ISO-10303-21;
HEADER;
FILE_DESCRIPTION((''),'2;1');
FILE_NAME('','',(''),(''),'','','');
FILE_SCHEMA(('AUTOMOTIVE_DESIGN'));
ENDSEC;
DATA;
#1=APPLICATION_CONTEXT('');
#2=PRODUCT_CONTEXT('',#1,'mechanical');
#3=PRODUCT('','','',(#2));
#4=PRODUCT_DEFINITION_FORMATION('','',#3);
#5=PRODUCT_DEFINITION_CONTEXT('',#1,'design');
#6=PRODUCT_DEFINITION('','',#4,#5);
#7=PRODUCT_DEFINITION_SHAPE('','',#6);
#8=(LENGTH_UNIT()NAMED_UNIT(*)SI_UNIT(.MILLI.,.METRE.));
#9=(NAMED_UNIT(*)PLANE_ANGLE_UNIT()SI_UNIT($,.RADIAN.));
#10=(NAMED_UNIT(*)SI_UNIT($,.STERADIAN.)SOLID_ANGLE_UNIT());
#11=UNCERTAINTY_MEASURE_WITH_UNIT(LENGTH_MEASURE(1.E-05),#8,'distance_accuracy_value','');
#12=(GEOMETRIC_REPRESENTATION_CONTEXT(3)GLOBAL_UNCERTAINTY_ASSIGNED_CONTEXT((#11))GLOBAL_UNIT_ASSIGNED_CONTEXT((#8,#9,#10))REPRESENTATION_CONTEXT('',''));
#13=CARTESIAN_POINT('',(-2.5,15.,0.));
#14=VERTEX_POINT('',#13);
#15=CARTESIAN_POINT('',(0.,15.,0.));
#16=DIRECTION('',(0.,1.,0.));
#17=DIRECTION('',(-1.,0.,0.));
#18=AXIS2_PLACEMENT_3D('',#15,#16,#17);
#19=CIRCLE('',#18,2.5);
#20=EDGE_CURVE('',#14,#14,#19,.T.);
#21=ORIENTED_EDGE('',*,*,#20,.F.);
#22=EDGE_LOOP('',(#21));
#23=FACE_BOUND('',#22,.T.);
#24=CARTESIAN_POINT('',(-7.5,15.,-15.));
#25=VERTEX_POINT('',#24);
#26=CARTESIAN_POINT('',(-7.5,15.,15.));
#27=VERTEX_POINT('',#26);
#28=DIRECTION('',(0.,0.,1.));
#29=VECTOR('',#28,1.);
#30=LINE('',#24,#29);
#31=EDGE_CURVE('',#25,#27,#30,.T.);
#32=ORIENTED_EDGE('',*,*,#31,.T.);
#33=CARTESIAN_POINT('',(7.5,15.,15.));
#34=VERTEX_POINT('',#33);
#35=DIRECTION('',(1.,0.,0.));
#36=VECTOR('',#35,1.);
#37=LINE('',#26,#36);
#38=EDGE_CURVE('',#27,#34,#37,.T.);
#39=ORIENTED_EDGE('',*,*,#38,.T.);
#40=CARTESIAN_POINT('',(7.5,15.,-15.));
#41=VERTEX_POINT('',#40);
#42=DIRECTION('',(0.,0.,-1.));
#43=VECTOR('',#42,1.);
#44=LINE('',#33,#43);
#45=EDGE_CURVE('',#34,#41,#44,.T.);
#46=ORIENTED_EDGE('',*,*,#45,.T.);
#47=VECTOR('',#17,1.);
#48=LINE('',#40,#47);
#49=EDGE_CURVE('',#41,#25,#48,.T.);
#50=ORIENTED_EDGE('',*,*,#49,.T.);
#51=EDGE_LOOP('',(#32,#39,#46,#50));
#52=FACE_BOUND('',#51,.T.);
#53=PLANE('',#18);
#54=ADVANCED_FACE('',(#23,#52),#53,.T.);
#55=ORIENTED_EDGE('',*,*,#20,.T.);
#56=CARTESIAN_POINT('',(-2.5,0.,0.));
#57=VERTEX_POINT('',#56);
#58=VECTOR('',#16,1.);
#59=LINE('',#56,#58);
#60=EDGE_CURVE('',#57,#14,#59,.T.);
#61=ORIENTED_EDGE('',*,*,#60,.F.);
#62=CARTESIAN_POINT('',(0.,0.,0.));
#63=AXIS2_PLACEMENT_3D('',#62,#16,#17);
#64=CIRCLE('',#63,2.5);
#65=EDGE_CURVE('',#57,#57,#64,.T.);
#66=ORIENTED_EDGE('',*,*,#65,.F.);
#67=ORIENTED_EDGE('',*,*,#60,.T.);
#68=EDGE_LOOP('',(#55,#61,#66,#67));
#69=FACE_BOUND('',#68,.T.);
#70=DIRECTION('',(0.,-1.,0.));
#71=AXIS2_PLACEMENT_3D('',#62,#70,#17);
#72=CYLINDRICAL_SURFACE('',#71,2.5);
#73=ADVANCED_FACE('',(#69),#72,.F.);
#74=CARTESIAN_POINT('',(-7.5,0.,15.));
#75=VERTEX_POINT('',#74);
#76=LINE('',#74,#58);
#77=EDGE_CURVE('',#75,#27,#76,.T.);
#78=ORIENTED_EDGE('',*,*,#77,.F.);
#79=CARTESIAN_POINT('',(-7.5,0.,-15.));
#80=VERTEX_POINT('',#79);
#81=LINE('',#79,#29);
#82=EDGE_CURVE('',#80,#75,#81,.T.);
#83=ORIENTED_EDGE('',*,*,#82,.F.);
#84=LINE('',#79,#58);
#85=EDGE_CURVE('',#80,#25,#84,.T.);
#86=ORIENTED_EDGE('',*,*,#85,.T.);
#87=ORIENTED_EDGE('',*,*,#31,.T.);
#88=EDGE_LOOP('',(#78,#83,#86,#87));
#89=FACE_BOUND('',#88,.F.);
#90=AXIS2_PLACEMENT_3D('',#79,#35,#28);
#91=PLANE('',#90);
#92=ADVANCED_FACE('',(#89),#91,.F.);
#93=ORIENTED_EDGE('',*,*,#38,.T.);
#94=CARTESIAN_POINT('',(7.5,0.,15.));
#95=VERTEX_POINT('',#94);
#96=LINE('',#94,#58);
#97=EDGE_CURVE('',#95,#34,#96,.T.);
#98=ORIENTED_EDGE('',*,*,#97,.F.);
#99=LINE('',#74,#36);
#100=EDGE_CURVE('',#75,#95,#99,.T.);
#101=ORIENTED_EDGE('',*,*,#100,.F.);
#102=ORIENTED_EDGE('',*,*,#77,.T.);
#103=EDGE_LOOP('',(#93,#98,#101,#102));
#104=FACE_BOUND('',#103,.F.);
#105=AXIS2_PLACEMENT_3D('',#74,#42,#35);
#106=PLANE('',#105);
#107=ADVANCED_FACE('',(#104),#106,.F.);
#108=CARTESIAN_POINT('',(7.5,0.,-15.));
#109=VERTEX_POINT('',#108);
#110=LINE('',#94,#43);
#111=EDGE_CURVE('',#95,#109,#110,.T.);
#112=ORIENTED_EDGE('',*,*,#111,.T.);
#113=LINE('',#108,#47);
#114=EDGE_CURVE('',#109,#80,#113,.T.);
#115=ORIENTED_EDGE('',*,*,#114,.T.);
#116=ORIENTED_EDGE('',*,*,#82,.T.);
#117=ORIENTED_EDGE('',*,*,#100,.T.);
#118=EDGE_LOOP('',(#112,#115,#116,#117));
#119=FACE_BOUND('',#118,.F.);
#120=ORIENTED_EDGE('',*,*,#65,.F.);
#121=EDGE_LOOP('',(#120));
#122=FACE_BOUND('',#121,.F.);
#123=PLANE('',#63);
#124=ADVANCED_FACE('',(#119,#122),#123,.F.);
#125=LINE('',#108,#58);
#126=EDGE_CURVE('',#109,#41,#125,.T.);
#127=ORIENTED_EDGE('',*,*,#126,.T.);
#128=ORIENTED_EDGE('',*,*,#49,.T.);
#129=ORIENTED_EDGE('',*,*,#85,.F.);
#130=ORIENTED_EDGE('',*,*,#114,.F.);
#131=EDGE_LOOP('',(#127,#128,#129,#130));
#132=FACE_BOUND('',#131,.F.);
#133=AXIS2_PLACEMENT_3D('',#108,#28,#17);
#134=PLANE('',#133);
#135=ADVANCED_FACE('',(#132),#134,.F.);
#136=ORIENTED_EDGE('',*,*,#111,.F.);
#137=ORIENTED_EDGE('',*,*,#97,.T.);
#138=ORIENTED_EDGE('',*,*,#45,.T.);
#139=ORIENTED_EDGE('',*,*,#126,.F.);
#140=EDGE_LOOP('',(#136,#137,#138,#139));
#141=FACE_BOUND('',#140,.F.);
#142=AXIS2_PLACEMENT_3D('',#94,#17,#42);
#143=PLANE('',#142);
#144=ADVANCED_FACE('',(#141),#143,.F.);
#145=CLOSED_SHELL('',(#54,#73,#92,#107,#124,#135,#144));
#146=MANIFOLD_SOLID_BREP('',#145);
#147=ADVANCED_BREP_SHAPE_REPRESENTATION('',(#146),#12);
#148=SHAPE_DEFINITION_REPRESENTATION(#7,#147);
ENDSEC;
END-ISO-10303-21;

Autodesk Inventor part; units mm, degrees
ref_plane "YZ Plane" through (0, 0, 0) normal (1, 0, 0) x (0, 1, 0)
ref_plane "XZ Plane" through (0, 0, 0) normal (0, 1, 0) x (-1, 0, 0)
ref_plane "XY Plane" through (0, 0, 0) normal (0, 0, 1) x (1, 0, 0)
sketch "Skizze1" plane through (0, 0, 0) normal (0, 1, 0) x (-1, 0, 0)
  line L0 (7.5, 15) -> (-7.5, 15)
  line L1 (-7.5, 15) -> (-7.5, -15)
  line L2 (-7.5, -15) -> (7.5, -15)
  line L3 (7.5, -15) -> (7.5, 15)
  circle A0 centre (0, 0) radius 2.5
  dimension "d0" = 30
  dimension "d1" = 15
  dimension "d2" = 15
  dimension "d3" = 7.5
  dimension "d4" = 5
extrude "Extrusion1" add sketch "Skizze1" along normal blind 15
properties part number "zweites Teil rotorachse"
